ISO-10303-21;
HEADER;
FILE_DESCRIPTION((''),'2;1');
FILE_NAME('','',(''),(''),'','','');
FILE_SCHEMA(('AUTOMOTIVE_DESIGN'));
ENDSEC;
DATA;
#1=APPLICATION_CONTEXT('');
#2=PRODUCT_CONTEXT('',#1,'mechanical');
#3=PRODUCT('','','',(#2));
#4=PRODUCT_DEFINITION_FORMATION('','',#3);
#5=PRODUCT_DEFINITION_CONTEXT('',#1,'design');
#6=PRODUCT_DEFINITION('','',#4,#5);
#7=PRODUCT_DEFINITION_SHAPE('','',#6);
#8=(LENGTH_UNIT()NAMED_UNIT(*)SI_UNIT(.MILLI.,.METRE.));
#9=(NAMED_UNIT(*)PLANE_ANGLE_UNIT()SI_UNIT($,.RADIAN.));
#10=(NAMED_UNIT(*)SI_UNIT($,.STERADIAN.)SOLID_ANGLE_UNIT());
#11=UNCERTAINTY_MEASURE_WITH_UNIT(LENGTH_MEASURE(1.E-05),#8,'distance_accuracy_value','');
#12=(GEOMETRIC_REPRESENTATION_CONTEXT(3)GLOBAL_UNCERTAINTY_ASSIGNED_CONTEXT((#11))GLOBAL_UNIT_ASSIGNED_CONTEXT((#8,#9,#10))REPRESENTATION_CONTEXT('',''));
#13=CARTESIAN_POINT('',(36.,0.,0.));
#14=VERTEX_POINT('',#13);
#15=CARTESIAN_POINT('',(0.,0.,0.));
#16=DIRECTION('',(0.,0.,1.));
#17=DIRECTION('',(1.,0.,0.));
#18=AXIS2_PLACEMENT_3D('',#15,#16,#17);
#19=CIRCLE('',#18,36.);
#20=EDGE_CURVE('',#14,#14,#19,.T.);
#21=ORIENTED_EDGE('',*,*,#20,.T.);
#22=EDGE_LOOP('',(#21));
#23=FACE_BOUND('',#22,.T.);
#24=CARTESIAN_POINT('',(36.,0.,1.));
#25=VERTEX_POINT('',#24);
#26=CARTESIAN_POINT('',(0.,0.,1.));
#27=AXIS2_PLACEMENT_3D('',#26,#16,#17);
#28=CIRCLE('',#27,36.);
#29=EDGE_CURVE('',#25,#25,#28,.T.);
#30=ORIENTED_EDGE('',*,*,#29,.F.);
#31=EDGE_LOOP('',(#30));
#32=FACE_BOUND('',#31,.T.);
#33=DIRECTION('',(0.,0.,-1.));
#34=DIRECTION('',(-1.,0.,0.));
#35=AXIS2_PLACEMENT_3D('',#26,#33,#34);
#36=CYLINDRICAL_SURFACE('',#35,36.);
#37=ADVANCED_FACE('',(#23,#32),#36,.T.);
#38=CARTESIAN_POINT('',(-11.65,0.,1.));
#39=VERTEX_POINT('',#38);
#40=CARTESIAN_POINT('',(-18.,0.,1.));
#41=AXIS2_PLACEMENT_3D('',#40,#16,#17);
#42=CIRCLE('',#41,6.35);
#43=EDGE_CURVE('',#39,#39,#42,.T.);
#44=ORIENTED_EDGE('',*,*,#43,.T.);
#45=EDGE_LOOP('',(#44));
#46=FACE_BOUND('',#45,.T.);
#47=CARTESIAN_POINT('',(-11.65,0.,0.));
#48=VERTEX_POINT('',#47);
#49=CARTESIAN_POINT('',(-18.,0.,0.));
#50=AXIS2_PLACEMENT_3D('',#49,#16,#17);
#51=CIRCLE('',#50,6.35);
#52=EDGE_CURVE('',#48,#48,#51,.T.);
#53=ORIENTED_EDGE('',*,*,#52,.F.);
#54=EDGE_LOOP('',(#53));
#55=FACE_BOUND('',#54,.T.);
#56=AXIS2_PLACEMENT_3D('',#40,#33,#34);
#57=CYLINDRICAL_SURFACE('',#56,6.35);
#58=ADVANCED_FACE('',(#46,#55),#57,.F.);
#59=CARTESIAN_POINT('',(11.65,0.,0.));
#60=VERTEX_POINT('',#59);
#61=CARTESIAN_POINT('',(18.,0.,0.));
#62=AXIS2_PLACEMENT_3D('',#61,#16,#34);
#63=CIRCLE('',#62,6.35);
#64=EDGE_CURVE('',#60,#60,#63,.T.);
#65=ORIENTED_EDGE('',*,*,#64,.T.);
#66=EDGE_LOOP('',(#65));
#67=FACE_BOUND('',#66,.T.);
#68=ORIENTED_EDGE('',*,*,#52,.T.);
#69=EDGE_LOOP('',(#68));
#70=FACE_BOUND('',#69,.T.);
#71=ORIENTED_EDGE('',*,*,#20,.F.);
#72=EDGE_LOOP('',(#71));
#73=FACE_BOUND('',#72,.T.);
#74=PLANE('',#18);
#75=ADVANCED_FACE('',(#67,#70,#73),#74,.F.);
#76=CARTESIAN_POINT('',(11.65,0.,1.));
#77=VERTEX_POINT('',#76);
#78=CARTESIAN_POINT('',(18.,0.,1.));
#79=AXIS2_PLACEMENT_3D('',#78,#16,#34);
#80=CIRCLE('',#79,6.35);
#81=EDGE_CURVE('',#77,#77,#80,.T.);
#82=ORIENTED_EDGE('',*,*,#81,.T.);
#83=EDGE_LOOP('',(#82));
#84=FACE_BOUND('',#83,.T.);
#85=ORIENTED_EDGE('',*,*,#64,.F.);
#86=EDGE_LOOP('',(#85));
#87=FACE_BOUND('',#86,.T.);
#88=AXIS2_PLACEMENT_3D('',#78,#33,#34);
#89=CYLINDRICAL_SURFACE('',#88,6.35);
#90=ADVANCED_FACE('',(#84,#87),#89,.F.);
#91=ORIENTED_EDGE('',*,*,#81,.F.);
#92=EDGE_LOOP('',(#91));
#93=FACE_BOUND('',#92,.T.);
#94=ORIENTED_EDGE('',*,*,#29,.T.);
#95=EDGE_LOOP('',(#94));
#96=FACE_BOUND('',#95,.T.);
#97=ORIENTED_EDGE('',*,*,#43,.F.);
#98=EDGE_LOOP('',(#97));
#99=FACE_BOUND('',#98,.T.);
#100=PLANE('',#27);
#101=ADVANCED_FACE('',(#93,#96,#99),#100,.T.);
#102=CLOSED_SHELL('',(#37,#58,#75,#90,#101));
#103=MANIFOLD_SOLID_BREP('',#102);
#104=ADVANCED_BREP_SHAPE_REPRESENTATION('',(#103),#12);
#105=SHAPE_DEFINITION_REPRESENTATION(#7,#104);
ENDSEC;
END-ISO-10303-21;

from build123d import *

# Parameters (mm, degrees)
SKETCH1_R           = 36
SKETCH1_R_2         = 6.35
BOSS_EXTRUDE1_DEPTH = 1


with BuildPart() as part:
    # Sketch1 → Boss-Extrude1 (new body)
    with BuildSketch(Plane.XY):
        Circle(SKETCH1_R)
        with Locations((-18, 0)):
            Circle(SKETCH1_R_2, mode=Mode.SUBTRACT)
        with Locations(Location((18, 0, 0), (0, 0, 180))):
            Circle(SKETCH1_R_2, mode=Mode.SUBTRACT)
    extrude(amount=BOSS_EXTRUDE1_DEPTH)


solid = part.part
